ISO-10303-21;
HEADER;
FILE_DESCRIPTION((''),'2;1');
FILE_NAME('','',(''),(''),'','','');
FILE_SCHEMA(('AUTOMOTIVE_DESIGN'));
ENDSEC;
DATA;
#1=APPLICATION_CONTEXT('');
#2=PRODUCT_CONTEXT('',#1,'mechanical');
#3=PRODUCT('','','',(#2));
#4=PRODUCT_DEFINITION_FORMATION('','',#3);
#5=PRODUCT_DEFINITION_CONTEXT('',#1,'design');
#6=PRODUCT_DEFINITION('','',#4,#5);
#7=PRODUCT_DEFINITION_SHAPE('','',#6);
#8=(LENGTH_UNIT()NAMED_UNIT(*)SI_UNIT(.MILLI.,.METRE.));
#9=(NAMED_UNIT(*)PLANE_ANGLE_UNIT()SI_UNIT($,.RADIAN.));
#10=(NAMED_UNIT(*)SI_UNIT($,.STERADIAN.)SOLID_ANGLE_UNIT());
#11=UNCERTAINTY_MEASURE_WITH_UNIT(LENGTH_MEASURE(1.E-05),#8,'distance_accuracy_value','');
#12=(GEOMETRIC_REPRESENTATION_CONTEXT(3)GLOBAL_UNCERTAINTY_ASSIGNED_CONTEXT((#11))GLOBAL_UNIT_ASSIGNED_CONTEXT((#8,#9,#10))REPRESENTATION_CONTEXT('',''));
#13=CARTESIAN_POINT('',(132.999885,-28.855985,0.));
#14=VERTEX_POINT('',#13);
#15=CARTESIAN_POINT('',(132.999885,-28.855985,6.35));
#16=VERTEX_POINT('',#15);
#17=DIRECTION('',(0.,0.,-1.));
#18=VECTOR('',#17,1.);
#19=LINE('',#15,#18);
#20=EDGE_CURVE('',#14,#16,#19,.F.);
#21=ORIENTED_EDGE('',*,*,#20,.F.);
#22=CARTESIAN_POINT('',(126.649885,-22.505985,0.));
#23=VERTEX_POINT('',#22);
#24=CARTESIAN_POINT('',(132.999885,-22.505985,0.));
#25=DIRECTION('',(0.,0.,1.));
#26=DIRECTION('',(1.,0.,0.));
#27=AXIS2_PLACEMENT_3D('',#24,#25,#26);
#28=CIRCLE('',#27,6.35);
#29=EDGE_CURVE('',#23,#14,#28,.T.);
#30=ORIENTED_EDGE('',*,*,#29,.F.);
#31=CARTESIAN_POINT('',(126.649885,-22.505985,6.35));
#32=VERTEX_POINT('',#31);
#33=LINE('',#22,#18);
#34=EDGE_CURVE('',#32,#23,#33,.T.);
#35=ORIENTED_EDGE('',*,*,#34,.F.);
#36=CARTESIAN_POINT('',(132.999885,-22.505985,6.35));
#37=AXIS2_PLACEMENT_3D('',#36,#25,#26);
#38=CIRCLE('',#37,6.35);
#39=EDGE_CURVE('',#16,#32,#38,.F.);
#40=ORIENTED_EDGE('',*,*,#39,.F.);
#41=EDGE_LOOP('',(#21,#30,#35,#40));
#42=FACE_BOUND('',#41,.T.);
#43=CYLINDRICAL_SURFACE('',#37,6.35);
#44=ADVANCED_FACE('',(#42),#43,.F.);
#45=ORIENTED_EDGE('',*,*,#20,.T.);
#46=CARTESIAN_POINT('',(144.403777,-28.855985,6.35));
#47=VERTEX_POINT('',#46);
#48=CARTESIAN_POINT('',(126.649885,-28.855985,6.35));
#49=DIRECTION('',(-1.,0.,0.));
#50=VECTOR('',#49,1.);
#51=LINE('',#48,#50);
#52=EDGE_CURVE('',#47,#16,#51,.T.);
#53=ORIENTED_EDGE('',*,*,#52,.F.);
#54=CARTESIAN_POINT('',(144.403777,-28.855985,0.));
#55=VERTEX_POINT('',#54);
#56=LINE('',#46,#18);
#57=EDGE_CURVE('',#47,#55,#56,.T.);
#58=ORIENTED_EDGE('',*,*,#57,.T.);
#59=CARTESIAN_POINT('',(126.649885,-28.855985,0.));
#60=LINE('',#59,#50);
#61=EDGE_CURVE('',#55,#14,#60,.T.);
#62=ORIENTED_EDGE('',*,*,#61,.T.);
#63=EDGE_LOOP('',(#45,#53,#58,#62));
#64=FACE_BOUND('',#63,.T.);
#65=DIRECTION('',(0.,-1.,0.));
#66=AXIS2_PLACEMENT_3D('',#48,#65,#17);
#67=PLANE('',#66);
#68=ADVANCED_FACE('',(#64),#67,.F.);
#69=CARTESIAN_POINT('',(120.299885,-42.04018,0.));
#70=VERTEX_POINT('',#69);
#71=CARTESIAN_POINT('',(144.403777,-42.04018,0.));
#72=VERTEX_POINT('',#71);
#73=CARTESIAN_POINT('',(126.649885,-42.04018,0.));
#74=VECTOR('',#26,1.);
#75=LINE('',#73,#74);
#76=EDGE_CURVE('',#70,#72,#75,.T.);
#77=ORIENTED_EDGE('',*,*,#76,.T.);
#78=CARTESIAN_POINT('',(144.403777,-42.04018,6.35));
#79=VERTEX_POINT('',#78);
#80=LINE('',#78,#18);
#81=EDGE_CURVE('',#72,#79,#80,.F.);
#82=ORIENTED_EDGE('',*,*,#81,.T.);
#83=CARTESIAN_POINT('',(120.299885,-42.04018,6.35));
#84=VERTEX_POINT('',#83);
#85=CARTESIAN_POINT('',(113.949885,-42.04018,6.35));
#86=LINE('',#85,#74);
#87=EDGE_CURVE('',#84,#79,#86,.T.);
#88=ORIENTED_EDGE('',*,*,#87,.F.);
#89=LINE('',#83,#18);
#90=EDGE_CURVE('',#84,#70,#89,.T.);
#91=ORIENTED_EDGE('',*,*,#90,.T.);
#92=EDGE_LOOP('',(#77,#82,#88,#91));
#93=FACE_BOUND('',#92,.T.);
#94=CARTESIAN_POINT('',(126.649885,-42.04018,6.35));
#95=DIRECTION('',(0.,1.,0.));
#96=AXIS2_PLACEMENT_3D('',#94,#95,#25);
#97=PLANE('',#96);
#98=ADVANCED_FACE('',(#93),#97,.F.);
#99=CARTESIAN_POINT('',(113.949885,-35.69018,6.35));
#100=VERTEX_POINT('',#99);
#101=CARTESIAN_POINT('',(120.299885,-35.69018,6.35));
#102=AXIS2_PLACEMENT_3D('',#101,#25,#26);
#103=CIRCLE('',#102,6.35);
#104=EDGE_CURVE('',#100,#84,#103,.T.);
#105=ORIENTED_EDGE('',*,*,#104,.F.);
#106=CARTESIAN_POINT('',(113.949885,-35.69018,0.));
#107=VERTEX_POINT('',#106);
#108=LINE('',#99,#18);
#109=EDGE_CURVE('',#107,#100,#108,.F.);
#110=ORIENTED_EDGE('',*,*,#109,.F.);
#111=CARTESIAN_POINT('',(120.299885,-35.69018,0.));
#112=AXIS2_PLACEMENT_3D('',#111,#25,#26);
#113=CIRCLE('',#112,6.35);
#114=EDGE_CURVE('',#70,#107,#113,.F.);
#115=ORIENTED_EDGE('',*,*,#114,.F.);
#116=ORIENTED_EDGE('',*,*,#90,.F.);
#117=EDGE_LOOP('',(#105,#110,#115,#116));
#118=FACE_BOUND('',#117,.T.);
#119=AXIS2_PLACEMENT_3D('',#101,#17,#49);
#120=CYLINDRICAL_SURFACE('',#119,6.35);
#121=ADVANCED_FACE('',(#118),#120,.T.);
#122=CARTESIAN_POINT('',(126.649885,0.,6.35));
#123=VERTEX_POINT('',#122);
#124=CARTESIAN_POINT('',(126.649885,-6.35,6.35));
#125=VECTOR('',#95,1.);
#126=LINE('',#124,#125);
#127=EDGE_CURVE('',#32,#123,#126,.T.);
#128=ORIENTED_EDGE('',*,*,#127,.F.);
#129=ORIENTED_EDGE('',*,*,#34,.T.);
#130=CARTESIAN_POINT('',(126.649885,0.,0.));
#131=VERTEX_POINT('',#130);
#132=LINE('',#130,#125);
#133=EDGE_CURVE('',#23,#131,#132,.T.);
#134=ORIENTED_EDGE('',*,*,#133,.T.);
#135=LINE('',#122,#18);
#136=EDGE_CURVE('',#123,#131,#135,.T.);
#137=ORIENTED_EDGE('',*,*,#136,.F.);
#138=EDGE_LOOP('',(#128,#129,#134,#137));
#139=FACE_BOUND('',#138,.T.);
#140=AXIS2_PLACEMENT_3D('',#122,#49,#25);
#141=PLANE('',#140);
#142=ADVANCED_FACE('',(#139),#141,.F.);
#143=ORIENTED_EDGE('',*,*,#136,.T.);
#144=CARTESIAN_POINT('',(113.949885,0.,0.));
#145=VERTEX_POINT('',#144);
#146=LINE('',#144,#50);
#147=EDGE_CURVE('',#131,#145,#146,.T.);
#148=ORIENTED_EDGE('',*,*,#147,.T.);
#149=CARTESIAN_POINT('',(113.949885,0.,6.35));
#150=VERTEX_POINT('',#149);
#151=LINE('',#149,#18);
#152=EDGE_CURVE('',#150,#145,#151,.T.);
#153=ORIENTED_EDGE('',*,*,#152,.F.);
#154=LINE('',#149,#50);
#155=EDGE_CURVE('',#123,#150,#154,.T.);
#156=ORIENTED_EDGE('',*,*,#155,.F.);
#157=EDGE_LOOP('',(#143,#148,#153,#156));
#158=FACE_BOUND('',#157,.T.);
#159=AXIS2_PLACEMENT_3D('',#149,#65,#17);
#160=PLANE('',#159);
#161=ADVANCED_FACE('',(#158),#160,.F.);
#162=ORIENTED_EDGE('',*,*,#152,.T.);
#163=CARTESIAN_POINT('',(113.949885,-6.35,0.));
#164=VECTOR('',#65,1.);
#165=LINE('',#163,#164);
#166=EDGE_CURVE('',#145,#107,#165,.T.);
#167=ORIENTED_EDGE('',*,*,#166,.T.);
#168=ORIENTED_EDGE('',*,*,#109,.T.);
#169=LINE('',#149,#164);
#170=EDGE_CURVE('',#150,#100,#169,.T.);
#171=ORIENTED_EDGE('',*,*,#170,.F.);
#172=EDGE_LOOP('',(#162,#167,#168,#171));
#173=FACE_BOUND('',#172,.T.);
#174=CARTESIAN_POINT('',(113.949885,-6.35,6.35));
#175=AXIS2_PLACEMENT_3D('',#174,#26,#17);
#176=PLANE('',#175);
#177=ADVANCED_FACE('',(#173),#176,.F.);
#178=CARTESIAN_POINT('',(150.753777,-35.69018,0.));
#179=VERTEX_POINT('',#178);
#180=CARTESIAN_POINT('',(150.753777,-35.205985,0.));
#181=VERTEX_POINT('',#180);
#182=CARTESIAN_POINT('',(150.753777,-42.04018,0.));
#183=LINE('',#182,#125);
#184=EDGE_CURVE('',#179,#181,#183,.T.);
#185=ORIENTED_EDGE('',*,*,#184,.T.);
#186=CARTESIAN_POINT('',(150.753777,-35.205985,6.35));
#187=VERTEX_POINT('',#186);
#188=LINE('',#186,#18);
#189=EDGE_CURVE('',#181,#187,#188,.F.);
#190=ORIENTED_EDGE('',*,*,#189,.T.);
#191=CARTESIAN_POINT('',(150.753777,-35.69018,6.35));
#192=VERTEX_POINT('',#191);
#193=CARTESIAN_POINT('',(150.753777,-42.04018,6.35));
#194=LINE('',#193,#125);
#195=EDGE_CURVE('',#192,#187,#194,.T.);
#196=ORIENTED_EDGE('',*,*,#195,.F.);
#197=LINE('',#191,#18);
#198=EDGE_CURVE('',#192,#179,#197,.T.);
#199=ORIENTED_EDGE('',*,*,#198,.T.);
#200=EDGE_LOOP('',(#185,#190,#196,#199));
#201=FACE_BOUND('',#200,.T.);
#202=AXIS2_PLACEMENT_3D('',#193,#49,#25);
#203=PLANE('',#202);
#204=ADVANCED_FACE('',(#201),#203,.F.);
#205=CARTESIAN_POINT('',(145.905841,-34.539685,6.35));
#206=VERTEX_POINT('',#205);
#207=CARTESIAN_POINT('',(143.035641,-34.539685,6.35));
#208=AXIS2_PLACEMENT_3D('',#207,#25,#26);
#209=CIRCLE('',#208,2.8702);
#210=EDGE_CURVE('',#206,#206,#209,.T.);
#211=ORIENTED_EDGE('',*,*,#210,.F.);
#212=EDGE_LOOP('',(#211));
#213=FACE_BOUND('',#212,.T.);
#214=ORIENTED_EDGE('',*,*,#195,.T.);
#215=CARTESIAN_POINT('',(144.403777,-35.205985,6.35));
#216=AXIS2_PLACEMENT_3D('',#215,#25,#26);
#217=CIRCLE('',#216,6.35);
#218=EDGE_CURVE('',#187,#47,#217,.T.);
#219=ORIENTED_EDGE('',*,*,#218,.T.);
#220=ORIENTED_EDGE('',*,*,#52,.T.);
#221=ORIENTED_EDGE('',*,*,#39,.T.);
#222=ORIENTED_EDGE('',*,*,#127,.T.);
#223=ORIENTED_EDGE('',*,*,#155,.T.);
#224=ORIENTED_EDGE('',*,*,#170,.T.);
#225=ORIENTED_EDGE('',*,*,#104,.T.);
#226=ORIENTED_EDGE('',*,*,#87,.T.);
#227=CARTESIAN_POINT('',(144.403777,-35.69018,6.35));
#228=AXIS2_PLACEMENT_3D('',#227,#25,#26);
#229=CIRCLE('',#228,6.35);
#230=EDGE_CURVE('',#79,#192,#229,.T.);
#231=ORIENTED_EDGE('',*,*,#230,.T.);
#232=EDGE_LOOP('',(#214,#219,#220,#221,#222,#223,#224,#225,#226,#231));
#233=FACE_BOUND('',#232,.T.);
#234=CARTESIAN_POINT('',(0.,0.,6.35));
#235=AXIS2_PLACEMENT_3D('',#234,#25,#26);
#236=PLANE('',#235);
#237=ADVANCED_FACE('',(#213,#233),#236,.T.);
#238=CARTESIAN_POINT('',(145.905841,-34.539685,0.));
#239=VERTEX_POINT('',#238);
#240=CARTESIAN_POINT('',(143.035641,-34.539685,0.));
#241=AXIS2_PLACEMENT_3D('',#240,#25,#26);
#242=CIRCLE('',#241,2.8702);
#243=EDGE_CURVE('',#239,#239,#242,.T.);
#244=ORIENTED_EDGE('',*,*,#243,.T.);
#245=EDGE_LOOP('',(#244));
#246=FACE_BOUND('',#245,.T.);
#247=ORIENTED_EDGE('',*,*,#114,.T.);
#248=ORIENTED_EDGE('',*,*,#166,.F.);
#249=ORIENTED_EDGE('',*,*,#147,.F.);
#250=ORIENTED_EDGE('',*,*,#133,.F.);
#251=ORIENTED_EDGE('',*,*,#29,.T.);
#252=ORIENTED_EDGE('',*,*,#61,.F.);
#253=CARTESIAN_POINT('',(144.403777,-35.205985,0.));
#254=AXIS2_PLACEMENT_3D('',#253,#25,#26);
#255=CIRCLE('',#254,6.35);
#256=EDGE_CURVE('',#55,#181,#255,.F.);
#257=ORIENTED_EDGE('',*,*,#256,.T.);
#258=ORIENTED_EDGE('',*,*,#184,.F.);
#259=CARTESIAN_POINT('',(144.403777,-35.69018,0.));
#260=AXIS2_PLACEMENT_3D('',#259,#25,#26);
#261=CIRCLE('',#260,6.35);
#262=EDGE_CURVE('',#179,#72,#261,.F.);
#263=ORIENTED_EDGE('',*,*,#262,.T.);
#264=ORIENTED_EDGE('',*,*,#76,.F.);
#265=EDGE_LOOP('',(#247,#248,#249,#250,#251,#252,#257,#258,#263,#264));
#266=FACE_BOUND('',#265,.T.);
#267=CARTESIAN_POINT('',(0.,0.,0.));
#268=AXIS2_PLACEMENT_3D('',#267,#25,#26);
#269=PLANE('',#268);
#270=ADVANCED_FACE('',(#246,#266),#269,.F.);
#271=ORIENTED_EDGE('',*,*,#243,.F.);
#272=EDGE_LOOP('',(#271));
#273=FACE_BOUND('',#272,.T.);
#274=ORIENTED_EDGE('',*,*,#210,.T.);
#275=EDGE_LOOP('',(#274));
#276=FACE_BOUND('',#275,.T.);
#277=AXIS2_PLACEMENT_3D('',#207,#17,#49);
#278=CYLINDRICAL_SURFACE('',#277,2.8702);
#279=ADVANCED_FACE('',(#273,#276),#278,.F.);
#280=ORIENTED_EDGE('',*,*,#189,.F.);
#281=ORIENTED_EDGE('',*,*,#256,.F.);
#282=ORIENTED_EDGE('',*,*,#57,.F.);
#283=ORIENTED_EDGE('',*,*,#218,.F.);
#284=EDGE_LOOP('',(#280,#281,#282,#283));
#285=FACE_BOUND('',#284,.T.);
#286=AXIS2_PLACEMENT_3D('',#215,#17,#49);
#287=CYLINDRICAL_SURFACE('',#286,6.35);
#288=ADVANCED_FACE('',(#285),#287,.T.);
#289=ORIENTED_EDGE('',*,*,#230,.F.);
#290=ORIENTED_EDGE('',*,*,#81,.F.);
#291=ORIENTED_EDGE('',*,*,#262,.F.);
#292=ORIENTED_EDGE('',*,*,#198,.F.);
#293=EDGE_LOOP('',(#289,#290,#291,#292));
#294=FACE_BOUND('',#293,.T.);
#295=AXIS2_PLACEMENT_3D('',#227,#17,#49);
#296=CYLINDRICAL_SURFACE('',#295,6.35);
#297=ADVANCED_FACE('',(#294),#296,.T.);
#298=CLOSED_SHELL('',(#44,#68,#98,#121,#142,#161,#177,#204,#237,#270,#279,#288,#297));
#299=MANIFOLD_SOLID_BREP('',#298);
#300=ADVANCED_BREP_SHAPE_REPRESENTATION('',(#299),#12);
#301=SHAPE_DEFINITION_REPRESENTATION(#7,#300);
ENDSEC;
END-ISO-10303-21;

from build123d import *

# Parameters (mm, degrees)
SKETCH1_R           = 2.8702
BOSS_EXTRUDE1_DEPTH = 6.35
FILLET1_R           = 6.35


with BuildPart() as part:
    # Sketch1 → Boss-Extrude1 (new body)
    with BuildSketch(Plane.XY):
        Polygon((113.949884677, 0), (126.649884677, 0), (126.649884677, -6.35), (126.649884677, -28.855984936), (150.753776805, -28.855984936), (150.753776805, -42.040179878), (126.649884677, -42.040179878), (113.949884677, -42.040179878), (113.949884677, -6.35), align=None)
        with Locations((143.035641266, -34.539684717)):
            Circle(SKETCH1_R, mode=Mode.SUBTRACT)
    extrude(amount=BOSS_EXTRUDE1_DEPTH)

    # Fillet1
    fillet1_edges = [part.edges().sort_by_distance(p)[0] for p in [
        (126.649884677, -28.855984936, 3.175),
        (150.753776805, -28.855984936, 3.175),
        (150.753776805, -42.040179878, 3.175),
        (113.949884677, -42.040179878, 3.175),
    ]]
    fillet(fillet1_edges, radius=FILLET1_R)


solid = part.part
